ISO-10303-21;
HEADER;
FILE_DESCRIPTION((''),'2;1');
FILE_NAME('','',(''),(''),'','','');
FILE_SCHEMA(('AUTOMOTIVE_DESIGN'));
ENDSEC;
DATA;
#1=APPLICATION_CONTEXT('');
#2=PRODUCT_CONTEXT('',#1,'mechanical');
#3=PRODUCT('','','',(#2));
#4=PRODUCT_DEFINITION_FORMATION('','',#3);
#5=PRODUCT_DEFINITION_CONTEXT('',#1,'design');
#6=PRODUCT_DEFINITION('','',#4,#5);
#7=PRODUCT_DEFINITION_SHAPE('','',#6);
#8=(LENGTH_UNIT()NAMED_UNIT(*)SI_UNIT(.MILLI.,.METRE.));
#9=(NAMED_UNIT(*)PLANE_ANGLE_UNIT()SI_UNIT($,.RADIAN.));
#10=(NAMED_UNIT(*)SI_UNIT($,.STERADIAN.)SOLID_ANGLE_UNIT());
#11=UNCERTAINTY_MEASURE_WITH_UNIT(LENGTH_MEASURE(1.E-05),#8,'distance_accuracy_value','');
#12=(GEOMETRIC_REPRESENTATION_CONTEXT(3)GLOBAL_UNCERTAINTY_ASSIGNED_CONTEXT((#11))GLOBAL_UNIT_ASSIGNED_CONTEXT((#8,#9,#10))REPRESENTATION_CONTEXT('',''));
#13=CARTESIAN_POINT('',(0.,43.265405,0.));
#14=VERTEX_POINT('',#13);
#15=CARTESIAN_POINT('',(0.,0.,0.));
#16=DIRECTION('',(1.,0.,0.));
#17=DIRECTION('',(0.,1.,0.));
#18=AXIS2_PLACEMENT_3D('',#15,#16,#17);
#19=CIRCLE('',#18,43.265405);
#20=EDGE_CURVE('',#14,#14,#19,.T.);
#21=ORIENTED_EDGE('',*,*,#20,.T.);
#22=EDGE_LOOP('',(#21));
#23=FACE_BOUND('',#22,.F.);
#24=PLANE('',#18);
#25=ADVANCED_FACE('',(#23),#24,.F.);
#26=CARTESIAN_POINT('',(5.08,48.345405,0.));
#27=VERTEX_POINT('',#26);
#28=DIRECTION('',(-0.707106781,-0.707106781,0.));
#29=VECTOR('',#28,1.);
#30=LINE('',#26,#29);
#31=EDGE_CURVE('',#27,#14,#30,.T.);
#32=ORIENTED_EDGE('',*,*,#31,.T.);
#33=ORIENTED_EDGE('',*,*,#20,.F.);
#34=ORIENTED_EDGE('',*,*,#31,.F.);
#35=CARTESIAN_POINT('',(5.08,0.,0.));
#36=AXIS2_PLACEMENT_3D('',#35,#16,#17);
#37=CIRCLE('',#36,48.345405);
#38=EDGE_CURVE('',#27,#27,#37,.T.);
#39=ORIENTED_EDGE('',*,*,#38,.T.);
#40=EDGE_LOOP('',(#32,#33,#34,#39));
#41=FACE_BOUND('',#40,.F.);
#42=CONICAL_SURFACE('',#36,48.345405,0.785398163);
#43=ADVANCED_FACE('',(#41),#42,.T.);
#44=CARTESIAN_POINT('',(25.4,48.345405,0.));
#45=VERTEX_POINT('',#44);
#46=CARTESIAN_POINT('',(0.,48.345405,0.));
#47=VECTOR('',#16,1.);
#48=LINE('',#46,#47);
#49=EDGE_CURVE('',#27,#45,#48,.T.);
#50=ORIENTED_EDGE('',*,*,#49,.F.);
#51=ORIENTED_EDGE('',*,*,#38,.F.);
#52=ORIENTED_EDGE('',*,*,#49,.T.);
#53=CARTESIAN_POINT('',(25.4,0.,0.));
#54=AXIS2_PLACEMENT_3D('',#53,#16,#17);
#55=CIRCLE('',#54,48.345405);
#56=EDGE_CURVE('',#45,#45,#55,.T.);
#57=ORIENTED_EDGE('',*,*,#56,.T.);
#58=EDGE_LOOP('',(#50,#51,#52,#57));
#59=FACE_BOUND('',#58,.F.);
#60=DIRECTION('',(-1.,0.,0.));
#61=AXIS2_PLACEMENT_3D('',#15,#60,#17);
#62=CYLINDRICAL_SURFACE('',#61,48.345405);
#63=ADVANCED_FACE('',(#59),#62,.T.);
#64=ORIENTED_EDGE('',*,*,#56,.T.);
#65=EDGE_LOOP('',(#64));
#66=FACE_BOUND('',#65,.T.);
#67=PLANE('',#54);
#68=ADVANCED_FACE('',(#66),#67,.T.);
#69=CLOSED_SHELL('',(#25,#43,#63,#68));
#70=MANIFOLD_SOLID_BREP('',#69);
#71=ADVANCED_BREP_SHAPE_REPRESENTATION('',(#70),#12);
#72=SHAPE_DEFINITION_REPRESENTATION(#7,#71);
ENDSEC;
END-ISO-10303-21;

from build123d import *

# Parameters (mm, degrees)
F0_R     = 48.345405
F1_DEPTH = 25.4
F2_SIZE  = 5.08


with BuildPart() as f1:
    # F0 (on Right) → F1 (new body)
    with BuildSketch(Plane.YZ):
        Circle(F0_R)
    extrude(amount=F1_DEPTH)

    # F2
    f2_edges = [f1.edges().sort_by_distance(p)[0] for p in [
        (0, -48.345405, 0),
    ]]
    chamfer(f2_edges, length=F2_SIZE)


solid = f1.part
